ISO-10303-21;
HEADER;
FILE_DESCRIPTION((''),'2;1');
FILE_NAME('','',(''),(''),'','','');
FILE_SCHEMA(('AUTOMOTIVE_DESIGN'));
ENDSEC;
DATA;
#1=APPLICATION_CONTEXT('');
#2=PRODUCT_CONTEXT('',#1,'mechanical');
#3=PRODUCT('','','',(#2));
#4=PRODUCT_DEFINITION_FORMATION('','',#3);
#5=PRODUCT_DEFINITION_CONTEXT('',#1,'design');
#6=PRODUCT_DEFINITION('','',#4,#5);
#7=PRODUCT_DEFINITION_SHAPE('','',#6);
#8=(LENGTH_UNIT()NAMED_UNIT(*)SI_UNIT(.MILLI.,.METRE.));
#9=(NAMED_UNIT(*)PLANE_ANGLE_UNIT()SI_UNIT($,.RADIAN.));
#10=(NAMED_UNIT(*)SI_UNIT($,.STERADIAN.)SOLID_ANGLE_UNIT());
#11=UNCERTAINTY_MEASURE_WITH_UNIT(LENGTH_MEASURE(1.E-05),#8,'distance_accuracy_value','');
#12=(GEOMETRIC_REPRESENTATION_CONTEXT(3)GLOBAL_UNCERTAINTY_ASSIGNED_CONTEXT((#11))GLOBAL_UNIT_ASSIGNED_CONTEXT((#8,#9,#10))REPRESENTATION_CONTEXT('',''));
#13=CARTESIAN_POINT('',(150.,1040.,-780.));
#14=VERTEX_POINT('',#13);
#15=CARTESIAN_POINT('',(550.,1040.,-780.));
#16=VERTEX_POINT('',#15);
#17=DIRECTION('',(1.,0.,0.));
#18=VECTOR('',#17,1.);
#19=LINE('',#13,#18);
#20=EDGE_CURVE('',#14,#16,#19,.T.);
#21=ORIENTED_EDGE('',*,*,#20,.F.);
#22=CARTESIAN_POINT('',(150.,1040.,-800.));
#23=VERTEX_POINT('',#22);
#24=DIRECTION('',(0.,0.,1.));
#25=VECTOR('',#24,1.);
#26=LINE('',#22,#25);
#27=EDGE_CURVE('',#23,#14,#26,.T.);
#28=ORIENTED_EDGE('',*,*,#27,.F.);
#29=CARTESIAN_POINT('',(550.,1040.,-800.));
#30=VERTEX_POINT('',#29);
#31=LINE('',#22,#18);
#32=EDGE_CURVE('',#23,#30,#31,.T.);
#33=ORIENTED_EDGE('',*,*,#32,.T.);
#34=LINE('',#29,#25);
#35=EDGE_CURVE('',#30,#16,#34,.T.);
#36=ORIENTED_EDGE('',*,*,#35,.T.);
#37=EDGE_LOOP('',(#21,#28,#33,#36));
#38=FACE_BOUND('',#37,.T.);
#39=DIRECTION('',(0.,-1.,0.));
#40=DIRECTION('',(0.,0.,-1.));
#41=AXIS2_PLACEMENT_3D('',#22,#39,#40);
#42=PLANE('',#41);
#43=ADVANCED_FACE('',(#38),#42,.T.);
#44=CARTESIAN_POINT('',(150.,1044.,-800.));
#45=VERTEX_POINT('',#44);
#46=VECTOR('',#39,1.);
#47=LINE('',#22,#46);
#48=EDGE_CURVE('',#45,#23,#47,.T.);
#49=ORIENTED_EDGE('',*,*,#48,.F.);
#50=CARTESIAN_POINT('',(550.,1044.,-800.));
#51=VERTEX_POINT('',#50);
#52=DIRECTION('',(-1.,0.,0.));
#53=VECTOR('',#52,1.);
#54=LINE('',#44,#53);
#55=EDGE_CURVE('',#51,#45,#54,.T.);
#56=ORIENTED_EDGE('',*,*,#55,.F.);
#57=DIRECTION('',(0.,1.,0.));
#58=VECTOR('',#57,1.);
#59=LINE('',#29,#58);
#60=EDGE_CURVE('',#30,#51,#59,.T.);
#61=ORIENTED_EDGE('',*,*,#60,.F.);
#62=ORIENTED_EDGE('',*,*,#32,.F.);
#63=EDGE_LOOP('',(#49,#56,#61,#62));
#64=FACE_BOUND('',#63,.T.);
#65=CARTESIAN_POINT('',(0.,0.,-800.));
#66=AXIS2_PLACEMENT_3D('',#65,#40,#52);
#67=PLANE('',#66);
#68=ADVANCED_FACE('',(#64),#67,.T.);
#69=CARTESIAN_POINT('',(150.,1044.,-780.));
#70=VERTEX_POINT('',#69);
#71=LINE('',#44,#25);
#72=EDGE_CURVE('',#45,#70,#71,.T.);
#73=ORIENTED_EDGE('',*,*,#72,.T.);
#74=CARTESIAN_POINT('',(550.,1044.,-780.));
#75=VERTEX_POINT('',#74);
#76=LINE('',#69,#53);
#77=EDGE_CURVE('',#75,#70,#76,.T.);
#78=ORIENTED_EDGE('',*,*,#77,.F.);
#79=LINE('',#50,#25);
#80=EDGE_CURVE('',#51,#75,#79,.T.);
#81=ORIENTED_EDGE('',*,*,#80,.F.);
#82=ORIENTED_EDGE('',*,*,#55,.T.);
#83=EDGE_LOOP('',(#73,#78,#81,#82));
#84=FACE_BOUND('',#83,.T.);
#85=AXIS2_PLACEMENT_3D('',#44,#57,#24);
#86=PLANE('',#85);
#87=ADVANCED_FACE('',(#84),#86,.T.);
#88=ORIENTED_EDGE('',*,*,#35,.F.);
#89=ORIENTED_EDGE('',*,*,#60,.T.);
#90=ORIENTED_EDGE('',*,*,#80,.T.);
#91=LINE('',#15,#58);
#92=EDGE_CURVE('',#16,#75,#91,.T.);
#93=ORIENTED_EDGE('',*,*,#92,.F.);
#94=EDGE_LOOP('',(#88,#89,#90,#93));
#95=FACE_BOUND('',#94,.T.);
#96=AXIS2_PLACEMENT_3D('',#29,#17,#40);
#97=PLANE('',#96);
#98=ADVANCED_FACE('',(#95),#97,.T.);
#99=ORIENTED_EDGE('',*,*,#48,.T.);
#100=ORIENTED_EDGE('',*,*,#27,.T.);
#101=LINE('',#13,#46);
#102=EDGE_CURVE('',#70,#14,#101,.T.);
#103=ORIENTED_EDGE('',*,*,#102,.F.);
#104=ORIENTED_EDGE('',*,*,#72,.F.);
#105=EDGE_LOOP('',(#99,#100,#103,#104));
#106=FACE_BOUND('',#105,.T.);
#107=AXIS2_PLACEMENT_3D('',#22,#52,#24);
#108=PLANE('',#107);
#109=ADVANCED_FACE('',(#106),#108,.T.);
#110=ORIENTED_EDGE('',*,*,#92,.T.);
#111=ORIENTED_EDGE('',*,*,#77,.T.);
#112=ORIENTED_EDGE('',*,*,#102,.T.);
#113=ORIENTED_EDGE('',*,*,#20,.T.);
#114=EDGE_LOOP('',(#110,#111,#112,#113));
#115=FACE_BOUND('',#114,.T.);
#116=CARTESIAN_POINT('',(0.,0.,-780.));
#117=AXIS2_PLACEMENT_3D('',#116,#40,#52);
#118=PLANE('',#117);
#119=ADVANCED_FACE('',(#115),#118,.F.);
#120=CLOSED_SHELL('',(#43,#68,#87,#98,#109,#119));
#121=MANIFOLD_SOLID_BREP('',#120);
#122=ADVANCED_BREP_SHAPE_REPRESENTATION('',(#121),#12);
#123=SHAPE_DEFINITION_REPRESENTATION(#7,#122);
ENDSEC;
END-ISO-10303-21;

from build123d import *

# Parameters (mm, degrees)
PACK_SARJOR_ALT_TUTUCU_RAY_1_1_START = -780
SKETCH1_W                            = 400
SKETCH1_H                            = 4
PACK_SARJOR_ALT_TUTUCU_RAY_1_1_DEPTH = 20


with BuildPart() as part:
    # Sketch1 → PACK_sarjor_alt_tutucu_ray_1_1 (new body)
    with BuildSketch(Plane.XY.offset(PACK_SARJOR_ALT_TUTUCU_RAY_1_1_START)):
        with Locations((350, 1042)):
            Rectangle(SKETCH1_W, SKETCH1_H)
    extrude(amount=-PACK_SARJOR_ALT_TUTUCU_RAY_1_1_DEPTH)


solid = part.part
